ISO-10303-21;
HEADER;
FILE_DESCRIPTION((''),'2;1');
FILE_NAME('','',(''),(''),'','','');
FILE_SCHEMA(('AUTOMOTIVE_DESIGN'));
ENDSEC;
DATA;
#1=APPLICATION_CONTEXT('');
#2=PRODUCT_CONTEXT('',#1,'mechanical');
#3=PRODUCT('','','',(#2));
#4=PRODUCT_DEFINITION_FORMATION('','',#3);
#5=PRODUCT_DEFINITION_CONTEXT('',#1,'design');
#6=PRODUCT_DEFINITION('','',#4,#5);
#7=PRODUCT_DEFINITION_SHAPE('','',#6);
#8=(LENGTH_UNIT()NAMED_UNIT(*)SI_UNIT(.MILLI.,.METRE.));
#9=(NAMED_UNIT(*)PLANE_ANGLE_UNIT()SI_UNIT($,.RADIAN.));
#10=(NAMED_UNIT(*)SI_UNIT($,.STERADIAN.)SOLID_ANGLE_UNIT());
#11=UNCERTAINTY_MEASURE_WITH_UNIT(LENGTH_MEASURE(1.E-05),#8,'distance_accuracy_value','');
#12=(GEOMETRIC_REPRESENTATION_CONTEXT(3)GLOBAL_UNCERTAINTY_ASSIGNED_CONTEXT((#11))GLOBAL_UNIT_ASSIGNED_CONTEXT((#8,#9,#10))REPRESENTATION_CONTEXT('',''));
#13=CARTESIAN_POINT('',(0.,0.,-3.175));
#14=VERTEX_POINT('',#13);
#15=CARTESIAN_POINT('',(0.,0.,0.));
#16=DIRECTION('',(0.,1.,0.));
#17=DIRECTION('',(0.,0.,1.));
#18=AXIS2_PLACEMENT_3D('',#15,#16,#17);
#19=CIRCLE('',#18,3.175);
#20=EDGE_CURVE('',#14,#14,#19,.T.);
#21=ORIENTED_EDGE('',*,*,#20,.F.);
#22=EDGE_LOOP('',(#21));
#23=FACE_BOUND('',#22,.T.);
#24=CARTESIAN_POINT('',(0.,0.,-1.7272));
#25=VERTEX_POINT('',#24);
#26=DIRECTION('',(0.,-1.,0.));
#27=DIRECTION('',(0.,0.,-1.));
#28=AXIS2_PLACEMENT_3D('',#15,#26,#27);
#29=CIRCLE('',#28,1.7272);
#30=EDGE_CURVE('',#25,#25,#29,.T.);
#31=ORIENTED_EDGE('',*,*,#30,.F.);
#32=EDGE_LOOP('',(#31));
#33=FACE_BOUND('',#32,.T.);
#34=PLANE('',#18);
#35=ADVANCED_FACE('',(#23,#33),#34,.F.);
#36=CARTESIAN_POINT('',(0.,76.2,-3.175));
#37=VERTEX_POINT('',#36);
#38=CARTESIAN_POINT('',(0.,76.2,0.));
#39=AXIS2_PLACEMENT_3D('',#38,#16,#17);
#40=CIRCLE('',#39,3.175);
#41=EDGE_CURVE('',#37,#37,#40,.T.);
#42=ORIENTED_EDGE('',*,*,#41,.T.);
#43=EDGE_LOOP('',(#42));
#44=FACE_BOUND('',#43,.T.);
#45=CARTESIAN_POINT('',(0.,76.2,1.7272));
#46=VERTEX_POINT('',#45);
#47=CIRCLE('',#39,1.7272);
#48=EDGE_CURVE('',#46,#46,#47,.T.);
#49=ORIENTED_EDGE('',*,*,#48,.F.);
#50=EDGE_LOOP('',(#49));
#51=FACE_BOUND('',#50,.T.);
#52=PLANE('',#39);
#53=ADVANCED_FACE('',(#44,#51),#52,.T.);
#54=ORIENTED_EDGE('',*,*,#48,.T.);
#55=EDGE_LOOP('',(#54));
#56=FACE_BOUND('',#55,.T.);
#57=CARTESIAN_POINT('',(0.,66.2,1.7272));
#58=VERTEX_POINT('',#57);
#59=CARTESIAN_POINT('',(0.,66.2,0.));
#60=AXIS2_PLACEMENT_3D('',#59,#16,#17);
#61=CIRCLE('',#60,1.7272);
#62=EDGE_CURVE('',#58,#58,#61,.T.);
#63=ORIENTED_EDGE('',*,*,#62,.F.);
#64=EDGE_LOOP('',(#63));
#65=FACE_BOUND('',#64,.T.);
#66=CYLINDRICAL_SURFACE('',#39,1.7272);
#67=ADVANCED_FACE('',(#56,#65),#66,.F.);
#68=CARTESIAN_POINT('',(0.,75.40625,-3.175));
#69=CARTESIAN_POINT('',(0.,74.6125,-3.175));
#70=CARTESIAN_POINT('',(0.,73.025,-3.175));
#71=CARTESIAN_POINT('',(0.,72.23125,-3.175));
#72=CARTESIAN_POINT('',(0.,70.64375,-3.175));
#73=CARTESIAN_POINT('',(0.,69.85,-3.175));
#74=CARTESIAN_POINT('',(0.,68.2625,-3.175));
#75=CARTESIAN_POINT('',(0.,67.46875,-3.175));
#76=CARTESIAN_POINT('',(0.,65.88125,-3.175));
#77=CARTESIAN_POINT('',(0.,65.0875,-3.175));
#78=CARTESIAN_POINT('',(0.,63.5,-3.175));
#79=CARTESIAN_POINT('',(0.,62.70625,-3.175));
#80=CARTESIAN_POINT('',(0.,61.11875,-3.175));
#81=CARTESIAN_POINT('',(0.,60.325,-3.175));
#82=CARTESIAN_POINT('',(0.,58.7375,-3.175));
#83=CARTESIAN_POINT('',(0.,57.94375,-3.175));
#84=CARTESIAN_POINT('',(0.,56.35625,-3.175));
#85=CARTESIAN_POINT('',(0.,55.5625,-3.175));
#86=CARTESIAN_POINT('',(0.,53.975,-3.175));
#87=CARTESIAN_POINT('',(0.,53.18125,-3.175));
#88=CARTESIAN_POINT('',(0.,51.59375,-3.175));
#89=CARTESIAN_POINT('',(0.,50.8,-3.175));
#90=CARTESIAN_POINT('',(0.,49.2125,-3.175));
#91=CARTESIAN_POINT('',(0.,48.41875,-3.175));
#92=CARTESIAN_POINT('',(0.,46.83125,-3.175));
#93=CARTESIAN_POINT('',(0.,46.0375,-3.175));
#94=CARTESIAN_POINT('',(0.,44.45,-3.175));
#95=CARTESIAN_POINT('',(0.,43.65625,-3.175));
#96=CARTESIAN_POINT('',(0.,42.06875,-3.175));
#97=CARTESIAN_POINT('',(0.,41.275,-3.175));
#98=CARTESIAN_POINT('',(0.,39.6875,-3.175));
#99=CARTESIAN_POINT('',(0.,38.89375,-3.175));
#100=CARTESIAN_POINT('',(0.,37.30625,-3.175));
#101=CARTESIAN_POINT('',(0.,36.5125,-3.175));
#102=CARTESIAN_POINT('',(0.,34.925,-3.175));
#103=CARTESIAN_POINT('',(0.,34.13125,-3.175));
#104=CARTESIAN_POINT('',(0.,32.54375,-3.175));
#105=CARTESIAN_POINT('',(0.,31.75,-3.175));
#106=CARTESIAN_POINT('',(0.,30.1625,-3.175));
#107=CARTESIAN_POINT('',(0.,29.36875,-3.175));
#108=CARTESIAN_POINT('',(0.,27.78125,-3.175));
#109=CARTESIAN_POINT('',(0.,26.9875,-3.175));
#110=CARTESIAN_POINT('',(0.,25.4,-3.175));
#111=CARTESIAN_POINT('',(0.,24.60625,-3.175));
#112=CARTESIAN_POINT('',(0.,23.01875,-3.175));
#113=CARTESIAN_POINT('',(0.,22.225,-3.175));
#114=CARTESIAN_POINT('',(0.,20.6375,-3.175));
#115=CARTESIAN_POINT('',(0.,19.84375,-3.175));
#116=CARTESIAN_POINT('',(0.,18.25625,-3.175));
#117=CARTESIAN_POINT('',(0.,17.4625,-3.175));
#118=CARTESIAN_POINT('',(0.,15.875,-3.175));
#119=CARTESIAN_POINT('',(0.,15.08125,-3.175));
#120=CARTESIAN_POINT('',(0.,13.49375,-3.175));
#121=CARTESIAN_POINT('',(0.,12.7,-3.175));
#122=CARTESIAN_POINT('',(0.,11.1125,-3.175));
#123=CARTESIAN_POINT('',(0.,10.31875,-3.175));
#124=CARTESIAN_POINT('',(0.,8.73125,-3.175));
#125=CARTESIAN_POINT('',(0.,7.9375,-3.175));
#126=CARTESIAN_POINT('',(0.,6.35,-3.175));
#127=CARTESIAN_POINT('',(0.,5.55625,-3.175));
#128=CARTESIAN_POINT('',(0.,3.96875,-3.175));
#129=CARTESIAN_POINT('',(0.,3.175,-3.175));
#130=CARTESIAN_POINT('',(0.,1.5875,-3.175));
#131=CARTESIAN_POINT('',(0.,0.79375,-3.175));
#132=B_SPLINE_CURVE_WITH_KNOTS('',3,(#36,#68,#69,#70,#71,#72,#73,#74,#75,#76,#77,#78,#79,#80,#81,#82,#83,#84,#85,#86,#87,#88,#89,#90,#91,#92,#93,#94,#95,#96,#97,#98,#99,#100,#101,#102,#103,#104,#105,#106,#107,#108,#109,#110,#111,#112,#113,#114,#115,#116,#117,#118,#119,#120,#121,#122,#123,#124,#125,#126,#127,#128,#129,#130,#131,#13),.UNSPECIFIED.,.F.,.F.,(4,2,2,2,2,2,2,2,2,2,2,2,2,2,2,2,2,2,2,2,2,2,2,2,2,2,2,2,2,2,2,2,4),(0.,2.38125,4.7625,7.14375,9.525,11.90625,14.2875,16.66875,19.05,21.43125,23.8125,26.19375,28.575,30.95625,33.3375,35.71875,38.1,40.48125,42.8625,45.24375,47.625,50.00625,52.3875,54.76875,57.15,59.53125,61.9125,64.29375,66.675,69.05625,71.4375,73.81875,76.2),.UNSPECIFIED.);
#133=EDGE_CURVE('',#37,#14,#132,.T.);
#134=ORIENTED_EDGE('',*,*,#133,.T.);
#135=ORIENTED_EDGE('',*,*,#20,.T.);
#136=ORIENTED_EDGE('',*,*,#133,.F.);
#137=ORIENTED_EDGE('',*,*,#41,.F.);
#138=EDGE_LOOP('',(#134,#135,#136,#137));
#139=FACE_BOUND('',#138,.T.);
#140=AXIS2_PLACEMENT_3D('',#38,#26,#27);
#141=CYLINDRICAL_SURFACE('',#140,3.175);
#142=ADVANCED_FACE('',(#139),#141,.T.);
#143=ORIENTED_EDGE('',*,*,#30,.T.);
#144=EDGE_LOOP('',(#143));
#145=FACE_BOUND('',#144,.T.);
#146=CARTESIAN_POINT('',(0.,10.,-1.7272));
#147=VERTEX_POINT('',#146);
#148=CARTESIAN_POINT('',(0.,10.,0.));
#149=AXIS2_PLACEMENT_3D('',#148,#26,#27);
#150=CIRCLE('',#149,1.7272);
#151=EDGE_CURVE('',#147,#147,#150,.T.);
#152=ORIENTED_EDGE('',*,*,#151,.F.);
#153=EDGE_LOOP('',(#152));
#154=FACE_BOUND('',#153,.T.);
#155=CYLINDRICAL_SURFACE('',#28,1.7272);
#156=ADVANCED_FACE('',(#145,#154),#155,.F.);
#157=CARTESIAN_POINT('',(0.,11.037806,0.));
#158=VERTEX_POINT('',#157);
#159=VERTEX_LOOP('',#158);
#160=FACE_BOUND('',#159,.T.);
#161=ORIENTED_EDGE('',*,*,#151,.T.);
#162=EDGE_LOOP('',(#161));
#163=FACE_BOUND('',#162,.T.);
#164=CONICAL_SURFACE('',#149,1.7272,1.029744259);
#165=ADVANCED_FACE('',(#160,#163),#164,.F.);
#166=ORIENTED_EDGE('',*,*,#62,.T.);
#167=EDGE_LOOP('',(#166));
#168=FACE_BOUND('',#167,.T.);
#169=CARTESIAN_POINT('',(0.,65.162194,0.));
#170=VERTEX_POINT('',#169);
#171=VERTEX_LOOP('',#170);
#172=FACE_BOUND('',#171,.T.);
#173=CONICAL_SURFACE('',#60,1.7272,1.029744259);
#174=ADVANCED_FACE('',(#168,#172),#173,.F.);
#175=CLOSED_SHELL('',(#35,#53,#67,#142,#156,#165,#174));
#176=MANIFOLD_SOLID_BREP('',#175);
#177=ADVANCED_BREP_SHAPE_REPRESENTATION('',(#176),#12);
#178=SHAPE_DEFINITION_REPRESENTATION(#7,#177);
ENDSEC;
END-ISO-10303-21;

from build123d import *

# Parameters (mm, degrees)
SKETCH1_R                 = 3.175
BOSS_EXTRUDE1_DEPTH       = 76.2
F_8_32_TAPPED_HOLE1_D     = 3.4544
F_8_32_TAPPED_HOLE1_DEPTH = 10
F_8_32_TAPPED_HOLE1_TIP   = 1.037806461
F_8_32_TAPPED_HOLE2_D     = 3.4544
F_8_32_TAPPED_HOLE2_DEPTH = 10
F_8_32_TAPPED_HOLE2_TIP   = 1.037806461


with BuildPart() as part:
    # Sketch1 → Boss-Extrude1 (new body)
    with BuildSketch(Plane(origin=(0, 0, 0), x_dir=(1, 0, 0), z_dir=(0, 1, 0))):
        with Locations(Location((0, 0, 0), (0, 0, 90))):
            Circle(SKETCH1_R)
    extrude(amount=BOSS_EXTRUDE1_DEPTH)

    # #8-32 Tapped Hole1
    with Locations(Plane(origin=(0, 76.2, 0), x_dir=(1, 0, 0), z_dir=(0, 1, 0))):
        with Locations((0, 0)):
            Hole(F_8_32_TAPPED_HOLE1_D / 2, depth=F_8_32_TAPPED_HOLE1_DEPTH)
            with Locations((0, 0, -(F_8_32_TAPPED_HOLE1_DEPTH + F_8_32_TAPPED_HOLE1_TIP / 2))):  # 118° drill point
                Cone(0, F_8_32_TAPPED_HOLE1_D / 2, F_8_32_TAPPED_HOLE1_TIP, mode=Mode.SUBTRACT)

    # #8-32 Tapped Hole2
    with Locations(Plane(origin=(0, 0, 0), x_dir=(-1, 0, 0), z_dir=(0, -1, 0))):
        with Locations((0, 0)):
            Hole(F_8_32_TAPPED_HOLE2_D / 2, depth=F_8_32_TAPPED_HOLE2_DEPTH)
            with Locations((0, 0, -(F_8_32_TAPPED_HOLE2_DEPTH + F_8_32_TAPPED_HOLE2_TIP / 2))):  # 118° drill point
                Cone(0, F_8_32_TAPPED_HOLE2_D / 2, F_8_32_TAPPED_HOLE2_TIP, mode=Mode.SUBTRACT)


solid = part.part
